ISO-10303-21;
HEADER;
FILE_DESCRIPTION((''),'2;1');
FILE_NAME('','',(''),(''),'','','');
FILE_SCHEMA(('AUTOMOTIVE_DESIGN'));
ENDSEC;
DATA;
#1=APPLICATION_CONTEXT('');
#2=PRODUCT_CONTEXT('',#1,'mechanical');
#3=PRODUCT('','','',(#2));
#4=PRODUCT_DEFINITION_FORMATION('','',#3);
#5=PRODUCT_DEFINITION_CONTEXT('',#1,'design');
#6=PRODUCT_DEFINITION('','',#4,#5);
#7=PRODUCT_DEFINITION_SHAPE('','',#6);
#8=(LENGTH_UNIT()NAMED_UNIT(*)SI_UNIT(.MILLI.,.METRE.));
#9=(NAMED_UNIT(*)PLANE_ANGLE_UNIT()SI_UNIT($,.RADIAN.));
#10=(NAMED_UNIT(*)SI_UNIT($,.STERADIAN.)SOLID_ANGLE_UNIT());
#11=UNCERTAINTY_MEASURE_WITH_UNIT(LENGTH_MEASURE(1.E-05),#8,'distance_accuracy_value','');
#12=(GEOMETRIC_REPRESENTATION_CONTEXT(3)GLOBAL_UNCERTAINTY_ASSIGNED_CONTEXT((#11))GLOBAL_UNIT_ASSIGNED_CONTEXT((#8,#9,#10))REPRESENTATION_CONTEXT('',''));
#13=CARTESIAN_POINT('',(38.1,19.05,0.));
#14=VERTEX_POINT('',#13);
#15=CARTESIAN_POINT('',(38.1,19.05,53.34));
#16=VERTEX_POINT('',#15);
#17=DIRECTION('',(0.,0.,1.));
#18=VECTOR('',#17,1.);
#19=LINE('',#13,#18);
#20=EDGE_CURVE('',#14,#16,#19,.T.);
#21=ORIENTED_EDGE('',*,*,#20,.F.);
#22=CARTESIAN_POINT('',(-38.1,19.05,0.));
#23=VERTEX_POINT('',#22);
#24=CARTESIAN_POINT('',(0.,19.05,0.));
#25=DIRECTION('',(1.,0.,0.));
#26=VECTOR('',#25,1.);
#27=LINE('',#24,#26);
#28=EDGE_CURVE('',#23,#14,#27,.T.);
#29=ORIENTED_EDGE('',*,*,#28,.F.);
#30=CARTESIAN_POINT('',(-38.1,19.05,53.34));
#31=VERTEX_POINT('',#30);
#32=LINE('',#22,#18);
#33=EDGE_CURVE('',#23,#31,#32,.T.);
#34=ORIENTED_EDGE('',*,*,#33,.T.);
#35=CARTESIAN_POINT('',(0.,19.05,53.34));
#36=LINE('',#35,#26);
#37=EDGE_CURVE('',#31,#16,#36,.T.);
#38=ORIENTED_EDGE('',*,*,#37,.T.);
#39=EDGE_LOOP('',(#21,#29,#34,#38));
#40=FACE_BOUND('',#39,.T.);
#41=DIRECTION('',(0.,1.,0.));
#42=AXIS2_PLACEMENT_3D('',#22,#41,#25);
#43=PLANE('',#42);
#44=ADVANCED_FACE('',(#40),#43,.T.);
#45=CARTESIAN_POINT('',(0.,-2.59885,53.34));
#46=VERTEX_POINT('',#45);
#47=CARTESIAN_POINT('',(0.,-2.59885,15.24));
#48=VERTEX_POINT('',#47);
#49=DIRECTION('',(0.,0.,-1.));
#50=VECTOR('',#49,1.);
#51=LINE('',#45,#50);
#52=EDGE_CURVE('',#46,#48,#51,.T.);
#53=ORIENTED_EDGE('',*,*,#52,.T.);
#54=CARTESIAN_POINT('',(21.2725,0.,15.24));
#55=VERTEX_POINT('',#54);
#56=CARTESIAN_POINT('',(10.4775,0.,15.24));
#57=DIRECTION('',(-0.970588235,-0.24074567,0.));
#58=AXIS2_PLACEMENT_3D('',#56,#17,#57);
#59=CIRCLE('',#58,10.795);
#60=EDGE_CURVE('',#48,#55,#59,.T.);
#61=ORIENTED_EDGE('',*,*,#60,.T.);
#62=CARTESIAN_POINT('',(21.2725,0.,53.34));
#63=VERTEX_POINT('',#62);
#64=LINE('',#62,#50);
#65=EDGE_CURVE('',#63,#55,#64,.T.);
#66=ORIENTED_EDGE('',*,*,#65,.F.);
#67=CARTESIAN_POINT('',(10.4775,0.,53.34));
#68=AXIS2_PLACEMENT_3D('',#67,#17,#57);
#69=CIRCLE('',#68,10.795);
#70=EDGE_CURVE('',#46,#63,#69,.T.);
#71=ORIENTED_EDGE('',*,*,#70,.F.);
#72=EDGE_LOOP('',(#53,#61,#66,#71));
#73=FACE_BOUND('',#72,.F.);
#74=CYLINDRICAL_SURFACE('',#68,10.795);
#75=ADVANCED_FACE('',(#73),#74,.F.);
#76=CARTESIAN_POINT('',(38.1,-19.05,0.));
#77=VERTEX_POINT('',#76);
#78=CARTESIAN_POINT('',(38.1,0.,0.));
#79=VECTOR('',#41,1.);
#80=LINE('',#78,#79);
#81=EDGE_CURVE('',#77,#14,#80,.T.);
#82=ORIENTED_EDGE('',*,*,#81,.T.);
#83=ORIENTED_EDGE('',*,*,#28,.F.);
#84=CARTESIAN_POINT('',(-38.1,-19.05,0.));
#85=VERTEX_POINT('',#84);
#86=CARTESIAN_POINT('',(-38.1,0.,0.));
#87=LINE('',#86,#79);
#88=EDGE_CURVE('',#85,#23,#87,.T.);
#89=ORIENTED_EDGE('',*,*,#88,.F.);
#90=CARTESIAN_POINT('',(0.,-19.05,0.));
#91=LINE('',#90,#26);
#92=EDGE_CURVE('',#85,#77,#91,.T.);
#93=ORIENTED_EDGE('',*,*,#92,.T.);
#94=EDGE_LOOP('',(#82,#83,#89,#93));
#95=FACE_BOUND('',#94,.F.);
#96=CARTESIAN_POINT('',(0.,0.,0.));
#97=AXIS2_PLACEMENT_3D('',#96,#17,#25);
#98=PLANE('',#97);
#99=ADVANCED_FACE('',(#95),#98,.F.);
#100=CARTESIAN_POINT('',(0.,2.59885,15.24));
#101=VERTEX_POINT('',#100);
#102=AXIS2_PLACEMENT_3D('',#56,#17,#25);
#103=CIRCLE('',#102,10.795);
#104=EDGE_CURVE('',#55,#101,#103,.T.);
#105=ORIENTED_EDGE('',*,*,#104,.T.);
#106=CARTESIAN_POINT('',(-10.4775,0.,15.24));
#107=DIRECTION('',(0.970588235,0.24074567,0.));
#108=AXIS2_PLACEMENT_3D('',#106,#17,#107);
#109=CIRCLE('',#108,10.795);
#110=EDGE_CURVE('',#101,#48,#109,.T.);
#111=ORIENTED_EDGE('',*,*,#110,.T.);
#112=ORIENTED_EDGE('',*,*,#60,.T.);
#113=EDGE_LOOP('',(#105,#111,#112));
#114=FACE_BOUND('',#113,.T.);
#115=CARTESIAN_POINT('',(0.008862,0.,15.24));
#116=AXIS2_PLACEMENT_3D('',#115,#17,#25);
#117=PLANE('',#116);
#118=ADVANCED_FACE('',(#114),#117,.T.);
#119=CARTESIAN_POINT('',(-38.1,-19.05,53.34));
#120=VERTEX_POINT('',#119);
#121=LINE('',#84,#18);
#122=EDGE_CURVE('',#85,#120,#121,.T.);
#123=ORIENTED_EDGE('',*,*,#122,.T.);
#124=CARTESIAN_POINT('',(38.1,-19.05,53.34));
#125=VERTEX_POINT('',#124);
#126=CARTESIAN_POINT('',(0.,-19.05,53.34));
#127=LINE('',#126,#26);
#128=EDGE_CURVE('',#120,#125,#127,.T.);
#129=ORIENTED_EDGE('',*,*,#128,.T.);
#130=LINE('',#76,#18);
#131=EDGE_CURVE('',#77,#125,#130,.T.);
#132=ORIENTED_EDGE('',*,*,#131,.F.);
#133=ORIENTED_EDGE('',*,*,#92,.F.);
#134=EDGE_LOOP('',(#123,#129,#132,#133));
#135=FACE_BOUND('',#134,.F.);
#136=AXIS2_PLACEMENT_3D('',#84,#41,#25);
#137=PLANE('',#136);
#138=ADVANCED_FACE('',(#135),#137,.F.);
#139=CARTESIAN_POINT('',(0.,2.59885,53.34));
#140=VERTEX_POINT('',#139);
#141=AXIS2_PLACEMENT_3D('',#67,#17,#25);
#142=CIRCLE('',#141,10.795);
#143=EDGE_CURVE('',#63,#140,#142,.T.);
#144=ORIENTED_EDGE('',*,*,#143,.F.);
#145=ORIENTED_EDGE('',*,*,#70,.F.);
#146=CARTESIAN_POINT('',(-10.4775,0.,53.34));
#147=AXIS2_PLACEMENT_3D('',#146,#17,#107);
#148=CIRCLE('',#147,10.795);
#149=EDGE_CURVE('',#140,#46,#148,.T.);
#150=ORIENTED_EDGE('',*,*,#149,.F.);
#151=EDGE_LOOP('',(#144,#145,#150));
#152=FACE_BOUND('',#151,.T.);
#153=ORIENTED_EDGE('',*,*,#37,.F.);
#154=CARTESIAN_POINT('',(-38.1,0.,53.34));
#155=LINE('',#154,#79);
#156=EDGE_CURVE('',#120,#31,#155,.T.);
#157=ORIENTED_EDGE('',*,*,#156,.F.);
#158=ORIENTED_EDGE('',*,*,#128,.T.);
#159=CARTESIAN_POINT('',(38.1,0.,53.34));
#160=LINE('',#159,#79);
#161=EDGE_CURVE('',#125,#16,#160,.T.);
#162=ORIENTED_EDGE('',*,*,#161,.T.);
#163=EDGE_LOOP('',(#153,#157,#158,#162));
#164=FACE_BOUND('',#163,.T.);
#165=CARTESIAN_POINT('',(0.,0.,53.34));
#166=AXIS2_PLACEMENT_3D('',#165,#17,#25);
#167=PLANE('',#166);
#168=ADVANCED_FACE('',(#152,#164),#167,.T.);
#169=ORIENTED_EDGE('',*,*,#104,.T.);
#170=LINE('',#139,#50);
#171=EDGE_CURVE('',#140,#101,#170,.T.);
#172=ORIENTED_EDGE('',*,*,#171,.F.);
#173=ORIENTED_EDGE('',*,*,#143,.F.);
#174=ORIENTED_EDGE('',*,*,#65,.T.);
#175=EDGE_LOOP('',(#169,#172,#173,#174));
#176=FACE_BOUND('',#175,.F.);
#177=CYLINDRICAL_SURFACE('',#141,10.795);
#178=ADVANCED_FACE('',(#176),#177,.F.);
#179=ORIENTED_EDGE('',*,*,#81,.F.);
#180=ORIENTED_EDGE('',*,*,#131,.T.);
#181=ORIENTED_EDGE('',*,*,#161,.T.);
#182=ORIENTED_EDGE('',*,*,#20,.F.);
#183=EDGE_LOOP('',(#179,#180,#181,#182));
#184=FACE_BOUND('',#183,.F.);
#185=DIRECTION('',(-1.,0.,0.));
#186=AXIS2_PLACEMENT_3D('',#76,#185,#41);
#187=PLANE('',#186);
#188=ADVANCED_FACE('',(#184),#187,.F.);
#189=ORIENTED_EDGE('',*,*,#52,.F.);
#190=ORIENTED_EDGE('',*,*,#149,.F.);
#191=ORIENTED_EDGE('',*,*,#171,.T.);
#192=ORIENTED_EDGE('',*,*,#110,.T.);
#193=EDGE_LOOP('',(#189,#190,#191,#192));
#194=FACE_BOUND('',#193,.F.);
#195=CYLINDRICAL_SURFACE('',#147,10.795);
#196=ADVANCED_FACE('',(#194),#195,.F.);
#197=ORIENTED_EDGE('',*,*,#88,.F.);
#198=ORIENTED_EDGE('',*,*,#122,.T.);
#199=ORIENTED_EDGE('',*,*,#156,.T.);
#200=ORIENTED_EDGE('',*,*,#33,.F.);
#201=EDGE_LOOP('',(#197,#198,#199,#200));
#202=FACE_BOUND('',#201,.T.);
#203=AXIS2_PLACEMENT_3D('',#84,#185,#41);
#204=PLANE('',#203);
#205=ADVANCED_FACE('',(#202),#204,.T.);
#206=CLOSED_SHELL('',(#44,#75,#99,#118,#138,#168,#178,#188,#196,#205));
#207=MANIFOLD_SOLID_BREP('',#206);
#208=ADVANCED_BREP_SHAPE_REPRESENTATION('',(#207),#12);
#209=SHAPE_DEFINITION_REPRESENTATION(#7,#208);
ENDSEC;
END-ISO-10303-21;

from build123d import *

# Parameters (mm, degrees)
F0_W     = 76.2
F0_H     = 38.1
F1_DEPTH = 53.34
F3_DEPTH = 38.1


with BuildPart() as f1:
    # F0 (on Top) → F1 (new body)
    with BuildSketch(Plane.XY):
        Rectangle(F0_W, F0_H)
    extrude(amount=F1_DEPTH)

    # F2 (on face) → F3 (cut)
    with BuildSketch(Plane.XY.offset(53.34)):
        with BuildLine():
            ThreePointArc((0, -2.5988495051), (0.2378310145, -1.3090860361), (0.3175, 0))
            ThreePointArc((0.3175, 0), (0.2378310145, 1.3090860361), (0, 2.5988495051))
            ThreePointArc((0, 2.5988495051), (-0.3175, 0), (0, -2.5988495051))
        make_face()
        with BuildLine():
            ThreePointArc((0, 2.5988495051), (0.2378310145, 1.3090860361), (0.3175, 0))
            ThreePointArc((0.3175, 0), (0.2378310145, -1.3090860361), (0, -2.5988495051))
            ThreePointArc((0, -2.5988495051), (11.7865860361, -10.7153310145), (21.2725, 0))
            ThreePointArc((21.2725, 0), (11.7865860361, 10.7153310145), (0, 2.5988495051))
        make_face()
        with BuildLine():
            ThreePointArc((0, -2.5988495051), (-0.3175, 0), (0, 2.5988495051))
            ThreePointArc((0, 2.5988495051), (-21.2725, 0), (0, -2.5988495051))
        make_face()
    extrude(amount=-F3_DEPTH, mode=Mode.SUBTRACT)


solid = f1.part
